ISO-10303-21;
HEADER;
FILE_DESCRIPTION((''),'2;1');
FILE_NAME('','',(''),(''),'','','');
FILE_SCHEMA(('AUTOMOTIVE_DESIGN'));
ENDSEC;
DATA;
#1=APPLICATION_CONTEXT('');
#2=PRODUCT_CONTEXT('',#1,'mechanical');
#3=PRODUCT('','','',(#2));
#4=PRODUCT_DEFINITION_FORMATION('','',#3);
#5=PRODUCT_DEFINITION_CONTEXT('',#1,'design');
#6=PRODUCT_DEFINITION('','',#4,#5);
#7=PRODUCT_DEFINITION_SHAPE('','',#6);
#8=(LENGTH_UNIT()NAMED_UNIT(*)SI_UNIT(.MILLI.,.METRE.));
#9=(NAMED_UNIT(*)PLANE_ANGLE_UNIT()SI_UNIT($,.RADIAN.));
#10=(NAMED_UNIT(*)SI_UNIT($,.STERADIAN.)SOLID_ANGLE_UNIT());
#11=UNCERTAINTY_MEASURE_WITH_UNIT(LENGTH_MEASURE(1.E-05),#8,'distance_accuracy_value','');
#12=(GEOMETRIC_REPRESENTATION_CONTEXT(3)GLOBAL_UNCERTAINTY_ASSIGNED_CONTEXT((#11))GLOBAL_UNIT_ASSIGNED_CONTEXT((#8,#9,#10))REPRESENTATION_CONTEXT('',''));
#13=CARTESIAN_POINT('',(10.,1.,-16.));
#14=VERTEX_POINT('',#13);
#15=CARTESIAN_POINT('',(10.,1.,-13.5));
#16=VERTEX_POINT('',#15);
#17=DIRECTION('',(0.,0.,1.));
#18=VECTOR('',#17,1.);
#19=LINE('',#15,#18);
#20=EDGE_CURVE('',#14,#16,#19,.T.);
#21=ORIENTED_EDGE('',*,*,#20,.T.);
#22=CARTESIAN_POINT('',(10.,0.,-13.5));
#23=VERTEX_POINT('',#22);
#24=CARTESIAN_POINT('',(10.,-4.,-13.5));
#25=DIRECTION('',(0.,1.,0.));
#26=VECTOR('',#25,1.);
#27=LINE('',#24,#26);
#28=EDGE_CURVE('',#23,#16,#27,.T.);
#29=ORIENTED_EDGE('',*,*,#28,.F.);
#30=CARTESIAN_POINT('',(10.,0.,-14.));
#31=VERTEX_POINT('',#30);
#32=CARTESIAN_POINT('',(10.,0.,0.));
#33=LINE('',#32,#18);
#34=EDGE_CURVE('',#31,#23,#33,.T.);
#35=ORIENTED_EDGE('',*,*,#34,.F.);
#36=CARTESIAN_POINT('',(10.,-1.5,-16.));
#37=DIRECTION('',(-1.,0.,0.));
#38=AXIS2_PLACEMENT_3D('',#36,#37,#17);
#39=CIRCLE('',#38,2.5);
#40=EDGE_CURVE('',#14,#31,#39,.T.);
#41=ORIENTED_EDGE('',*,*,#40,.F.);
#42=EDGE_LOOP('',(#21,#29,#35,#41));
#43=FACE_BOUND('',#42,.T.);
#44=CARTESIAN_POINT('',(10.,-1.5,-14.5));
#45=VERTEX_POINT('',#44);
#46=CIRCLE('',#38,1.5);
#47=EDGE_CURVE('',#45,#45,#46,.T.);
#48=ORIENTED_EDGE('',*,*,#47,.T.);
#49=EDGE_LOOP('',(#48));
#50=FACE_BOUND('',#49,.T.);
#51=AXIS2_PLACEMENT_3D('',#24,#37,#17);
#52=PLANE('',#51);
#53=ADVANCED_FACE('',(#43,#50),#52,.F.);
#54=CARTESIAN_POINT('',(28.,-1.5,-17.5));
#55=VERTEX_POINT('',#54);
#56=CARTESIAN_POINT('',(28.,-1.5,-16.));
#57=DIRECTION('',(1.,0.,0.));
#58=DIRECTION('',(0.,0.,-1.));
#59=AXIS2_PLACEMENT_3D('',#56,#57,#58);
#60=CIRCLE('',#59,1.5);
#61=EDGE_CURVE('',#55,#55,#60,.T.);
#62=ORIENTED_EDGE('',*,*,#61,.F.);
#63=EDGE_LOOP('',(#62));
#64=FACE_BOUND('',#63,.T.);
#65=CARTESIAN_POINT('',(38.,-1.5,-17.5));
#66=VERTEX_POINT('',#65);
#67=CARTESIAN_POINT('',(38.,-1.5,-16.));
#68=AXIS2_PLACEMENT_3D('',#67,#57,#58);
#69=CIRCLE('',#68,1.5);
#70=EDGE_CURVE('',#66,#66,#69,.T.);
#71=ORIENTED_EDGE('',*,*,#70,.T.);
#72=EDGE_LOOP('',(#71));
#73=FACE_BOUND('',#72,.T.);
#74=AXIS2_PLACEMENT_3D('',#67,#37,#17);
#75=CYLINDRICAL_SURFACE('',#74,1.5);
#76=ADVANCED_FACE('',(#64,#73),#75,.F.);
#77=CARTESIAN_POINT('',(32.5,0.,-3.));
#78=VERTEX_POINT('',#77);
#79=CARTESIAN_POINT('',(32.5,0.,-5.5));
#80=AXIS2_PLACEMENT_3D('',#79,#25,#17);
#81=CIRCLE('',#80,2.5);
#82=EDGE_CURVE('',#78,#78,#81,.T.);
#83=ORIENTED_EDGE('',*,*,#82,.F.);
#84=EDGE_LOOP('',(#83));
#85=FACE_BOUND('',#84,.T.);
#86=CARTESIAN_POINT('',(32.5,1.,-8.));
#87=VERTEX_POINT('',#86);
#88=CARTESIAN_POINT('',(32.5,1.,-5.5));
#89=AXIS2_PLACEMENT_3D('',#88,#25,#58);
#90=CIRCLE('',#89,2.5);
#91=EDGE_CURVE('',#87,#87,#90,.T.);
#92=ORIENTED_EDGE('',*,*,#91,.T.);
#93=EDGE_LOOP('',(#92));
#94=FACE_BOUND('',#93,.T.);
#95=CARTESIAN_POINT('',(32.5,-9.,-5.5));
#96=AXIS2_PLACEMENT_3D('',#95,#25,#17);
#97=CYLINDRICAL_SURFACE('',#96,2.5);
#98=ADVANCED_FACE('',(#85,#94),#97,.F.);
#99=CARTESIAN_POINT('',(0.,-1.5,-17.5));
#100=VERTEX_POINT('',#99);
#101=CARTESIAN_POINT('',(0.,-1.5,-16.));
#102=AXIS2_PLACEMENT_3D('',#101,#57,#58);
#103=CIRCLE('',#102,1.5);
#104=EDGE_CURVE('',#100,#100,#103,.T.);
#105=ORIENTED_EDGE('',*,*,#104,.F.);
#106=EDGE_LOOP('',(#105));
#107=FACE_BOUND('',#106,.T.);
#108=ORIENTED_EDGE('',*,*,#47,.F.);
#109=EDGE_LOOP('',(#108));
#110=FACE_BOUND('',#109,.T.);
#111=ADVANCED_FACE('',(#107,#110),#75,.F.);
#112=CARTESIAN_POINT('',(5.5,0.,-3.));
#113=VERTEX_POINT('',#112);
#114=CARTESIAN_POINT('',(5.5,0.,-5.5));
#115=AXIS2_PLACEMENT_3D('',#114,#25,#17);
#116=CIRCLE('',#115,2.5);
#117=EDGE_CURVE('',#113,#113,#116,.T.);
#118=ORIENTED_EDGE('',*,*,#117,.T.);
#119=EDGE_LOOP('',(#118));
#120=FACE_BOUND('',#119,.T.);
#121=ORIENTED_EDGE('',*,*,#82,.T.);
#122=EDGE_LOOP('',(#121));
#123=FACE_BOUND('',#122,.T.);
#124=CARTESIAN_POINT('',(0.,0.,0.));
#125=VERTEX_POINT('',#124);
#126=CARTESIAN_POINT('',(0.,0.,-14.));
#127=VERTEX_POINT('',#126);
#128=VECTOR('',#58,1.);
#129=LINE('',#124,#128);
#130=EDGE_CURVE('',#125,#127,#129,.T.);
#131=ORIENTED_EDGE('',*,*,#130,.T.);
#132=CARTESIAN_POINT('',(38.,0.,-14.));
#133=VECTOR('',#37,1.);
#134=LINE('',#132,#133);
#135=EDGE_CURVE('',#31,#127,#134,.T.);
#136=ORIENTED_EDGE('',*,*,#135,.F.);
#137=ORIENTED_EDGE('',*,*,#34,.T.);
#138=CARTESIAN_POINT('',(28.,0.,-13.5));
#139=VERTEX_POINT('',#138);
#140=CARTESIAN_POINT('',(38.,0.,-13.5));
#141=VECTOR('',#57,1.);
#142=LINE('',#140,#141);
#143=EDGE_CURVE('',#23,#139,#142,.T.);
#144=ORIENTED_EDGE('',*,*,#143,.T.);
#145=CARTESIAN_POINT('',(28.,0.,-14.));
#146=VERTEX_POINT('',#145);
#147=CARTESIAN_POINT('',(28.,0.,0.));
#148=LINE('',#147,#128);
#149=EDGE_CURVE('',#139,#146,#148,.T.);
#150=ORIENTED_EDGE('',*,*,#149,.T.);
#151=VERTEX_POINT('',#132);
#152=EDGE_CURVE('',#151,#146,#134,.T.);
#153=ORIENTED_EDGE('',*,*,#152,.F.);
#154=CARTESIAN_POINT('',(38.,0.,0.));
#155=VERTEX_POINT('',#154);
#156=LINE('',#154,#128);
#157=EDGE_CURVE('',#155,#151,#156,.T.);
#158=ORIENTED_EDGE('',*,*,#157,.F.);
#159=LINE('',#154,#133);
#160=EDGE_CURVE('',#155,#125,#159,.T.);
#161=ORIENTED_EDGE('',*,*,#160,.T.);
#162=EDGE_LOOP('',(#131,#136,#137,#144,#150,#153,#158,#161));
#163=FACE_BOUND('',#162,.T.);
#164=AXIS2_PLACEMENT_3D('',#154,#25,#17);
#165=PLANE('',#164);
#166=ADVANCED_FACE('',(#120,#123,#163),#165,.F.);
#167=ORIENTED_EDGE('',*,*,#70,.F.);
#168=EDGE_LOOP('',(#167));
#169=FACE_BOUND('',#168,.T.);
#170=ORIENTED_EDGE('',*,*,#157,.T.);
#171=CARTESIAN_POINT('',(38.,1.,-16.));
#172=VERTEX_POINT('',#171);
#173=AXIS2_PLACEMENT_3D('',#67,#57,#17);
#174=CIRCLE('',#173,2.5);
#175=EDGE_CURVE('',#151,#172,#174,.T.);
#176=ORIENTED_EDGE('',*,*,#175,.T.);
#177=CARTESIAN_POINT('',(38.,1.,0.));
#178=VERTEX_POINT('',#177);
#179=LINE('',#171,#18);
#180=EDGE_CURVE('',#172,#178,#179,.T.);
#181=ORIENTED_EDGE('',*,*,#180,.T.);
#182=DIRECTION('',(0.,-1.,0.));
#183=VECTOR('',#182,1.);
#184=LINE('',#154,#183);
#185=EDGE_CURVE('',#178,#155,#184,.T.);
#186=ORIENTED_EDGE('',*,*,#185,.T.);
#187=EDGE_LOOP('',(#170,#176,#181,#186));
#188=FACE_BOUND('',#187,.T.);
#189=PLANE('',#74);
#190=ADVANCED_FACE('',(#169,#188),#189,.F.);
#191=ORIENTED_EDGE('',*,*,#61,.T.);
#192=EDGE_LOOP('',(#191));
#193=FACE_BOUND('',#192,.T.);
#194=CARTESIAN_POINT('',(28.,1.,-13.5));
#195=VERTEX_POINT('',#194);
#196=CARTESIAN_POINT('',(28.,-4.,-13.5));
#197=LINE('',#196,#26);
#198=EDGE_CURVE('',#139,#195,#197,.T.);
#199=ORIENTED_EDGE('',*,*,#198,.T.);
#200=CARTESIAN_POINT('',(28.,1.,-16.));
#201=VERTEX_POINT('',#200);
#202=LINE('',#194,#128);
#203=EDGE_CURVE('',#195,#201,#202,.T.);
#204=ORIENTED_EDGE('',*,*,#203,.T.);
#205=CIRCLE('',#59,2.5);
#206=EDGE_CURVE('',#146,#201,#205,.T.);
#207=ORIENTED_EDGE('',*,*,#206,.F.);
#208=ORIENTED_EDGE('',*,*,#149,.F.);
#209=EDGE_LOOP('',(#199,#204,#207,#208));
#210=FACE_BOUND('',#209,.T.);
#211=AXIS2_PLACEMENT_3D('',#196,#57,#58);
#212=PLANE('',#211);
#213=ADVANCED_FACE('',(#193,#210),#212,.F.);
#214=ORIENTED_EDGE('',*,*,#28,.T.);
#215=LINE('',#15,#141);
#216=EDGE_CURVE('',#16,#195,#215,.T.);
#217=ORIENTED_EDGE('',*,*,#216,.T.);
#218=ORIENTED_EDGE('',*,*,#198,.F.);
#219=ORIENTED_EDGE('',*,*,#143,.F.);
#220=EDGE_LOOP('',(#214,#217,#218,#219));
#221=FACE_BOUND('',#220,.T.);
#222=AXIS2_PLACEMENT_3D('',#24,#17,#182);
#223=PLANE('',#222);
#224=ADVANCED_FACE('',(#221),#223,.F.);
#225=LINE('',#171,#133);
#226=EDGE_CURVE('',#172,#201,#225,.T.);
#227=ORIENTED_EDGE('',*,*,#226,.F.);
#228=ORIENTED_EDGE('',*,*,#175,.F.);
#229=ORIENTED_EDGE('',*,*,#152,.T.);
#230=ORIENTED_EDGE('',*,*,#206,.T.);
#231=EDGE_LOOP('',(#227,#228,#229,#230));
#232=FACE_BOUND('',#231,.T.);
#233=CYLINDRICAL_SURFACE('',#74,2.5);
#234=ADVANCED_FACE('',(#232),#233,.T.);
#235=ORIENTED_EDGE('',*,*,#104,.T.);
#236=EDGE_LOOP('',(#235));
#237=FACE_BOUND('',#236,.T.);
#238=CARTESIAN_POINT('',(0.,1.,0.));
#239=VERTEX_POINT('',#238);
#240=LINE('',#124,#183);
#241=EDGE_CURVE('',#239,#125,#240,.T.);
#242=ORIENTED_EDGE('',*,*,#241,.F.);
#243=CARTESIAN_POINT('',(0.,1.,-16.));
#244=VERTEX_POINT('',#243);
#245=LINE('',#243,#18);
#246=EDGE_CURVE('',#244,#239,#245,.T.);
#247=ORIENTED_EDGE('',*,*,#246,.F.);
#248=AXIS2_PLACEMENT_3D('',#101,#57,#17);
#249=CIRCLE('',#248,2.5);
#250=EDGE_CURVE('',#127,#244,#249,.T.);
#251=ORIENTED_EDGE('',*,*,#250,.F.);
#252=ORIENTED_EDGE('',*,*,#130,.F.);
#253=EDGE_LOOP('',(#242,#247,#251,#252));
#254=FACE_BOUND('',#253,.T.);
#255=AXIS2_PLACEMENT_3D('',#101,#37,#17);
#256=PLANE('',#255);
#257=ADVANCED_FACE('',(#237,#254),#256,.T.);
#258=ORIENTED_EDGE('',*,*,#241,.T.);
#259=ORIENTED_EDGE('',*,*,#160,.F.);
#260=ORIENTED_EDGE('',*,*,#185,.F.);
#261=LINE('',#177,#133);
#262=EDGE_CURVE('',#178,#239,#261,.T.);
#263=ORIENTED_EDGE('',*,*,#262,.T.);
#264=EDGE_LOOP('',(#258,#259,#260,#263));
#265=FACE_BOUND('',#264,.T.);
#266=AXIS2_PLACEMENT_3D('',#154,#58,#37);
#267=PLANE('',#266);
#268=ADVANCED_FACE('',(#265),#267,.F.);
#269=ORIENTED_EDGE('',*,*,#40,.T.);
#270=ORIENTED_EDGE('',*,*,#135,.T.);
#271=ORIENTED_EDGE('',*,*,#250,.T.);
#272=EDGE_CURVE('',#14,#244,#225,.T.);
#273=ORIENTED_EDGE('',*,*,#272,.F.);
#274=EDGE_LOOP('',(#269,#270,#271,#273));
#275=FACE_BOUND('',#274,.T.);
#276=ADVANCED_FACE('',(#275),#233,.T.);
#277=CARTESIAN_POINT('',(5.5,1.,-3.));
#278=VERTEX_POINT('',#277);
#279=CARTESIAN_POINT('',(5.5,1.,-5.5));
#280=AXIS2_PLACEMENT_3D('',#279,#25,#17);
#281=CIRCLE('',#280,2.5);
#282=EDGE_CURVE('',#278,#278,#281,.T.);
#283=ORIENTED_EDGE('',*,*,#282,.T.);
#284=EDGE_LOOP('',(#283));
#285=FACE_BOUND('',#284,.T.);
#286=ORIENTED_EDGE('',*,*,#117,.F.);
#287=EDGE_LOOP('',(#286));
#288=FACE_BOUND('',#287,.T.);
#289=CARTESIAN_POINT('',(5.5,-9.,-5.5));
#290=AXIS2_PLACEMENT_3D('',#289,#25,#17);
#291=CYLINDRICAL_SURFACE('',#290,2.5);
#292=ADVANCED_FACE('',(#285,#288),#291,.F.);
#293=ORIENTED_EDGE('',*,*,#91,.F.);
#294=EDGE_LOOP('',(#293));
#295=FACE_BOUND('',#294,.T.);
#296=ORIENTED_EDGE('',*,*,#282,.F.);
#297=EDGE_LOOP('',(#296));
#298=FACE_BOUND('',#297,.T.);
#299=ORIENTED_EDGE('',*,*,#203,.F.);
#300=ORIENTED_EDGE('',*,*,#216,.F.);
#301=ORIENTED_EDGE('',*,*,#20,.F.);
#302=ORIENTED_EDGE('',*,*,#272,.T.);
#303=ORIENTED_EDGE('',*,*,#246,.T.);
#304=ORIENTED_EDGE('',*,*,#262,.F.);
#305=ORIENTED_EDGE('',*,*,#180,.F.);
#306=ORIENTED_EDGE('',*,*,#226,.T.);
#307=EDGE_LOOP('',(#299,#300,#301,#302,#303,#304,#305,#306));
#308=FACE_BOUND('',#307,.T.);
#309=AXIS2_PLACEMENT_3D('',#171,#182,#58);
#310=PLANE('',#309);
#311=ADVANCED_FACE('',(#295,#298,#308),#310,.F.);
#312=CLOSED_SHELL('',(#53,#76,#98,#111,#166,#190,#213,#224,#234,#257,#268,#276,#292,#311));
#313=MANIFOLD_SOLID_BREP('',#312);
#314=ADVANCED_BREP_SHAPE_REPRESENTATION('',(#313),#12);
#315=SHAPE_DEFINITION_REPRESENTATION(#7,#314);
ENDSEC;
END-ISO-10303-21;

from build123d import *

# Parameters (mm, degrees)
SKETCH3_R           = 1.5
BOSS_EXTRUDE2_DEPTH = 38
SKETCH6_W           = 18
SKETCH6_H           = 5
CUT_EXTRUDE1_DEPTH  = 6
SKETCH7_R           = 2.5
CUT_EXTRUDE2_DEPTH  = 10


with BuildPart() as part:
    # Sketch3 → Boss-Extrude2 (new body)
    with BuildSketch(Plane(origin=(0, 0, 0), x_dir=(0, 0, -1), z_dir=(1, 0, 0))):
        with BuildLine():
            Line((16, 1), (0, 1))
            Line((0, 1), (0, 0))
            Line((0, 0), (14, 0))
            ThreePointArc((14, 0), (17.118033989, -3.736067977), (16, 1))
        make_face()
        with Locations((16, -1.5)):
            Circle(SKETCH3_R, mode=Mode.SUBTRACT)
    extrude(amount=BOSS_EXTRUDE2_DEPTH)

    # Sketch6 → Cut-Extrude1 (cut, through all)
    with BuildSketch(Plane(origin=(0, 1, 0), x_dir=(1, 0, 0), z_dir=(0, 1, 0))):
        with Locations((19, 16)):
            Rectangle(SKETCH6_W, SKETCH6_H)
    extrude(amount=-CUT_EXTRUDE1_DEPTH, mode=Mode.SUBTRACT)

    # Sketch7 → Cut-Extrude2 (cut)
    with BuildSketch(Plane(origin=(0, 1, 0), x_dir=(1, 0, 0), z_dir=(0, 1, 0))):
        with Locations((5.5, 5.5)):
            Circle(SKETCH7_R)
        with Locations((32.5, 5.5)):
            Circle(SKETCH7_R)
    extrude(amount=-CUT_EXTRUDE2_DEPTH, mode=Mode.SUBTRACT)


solid = part.part
